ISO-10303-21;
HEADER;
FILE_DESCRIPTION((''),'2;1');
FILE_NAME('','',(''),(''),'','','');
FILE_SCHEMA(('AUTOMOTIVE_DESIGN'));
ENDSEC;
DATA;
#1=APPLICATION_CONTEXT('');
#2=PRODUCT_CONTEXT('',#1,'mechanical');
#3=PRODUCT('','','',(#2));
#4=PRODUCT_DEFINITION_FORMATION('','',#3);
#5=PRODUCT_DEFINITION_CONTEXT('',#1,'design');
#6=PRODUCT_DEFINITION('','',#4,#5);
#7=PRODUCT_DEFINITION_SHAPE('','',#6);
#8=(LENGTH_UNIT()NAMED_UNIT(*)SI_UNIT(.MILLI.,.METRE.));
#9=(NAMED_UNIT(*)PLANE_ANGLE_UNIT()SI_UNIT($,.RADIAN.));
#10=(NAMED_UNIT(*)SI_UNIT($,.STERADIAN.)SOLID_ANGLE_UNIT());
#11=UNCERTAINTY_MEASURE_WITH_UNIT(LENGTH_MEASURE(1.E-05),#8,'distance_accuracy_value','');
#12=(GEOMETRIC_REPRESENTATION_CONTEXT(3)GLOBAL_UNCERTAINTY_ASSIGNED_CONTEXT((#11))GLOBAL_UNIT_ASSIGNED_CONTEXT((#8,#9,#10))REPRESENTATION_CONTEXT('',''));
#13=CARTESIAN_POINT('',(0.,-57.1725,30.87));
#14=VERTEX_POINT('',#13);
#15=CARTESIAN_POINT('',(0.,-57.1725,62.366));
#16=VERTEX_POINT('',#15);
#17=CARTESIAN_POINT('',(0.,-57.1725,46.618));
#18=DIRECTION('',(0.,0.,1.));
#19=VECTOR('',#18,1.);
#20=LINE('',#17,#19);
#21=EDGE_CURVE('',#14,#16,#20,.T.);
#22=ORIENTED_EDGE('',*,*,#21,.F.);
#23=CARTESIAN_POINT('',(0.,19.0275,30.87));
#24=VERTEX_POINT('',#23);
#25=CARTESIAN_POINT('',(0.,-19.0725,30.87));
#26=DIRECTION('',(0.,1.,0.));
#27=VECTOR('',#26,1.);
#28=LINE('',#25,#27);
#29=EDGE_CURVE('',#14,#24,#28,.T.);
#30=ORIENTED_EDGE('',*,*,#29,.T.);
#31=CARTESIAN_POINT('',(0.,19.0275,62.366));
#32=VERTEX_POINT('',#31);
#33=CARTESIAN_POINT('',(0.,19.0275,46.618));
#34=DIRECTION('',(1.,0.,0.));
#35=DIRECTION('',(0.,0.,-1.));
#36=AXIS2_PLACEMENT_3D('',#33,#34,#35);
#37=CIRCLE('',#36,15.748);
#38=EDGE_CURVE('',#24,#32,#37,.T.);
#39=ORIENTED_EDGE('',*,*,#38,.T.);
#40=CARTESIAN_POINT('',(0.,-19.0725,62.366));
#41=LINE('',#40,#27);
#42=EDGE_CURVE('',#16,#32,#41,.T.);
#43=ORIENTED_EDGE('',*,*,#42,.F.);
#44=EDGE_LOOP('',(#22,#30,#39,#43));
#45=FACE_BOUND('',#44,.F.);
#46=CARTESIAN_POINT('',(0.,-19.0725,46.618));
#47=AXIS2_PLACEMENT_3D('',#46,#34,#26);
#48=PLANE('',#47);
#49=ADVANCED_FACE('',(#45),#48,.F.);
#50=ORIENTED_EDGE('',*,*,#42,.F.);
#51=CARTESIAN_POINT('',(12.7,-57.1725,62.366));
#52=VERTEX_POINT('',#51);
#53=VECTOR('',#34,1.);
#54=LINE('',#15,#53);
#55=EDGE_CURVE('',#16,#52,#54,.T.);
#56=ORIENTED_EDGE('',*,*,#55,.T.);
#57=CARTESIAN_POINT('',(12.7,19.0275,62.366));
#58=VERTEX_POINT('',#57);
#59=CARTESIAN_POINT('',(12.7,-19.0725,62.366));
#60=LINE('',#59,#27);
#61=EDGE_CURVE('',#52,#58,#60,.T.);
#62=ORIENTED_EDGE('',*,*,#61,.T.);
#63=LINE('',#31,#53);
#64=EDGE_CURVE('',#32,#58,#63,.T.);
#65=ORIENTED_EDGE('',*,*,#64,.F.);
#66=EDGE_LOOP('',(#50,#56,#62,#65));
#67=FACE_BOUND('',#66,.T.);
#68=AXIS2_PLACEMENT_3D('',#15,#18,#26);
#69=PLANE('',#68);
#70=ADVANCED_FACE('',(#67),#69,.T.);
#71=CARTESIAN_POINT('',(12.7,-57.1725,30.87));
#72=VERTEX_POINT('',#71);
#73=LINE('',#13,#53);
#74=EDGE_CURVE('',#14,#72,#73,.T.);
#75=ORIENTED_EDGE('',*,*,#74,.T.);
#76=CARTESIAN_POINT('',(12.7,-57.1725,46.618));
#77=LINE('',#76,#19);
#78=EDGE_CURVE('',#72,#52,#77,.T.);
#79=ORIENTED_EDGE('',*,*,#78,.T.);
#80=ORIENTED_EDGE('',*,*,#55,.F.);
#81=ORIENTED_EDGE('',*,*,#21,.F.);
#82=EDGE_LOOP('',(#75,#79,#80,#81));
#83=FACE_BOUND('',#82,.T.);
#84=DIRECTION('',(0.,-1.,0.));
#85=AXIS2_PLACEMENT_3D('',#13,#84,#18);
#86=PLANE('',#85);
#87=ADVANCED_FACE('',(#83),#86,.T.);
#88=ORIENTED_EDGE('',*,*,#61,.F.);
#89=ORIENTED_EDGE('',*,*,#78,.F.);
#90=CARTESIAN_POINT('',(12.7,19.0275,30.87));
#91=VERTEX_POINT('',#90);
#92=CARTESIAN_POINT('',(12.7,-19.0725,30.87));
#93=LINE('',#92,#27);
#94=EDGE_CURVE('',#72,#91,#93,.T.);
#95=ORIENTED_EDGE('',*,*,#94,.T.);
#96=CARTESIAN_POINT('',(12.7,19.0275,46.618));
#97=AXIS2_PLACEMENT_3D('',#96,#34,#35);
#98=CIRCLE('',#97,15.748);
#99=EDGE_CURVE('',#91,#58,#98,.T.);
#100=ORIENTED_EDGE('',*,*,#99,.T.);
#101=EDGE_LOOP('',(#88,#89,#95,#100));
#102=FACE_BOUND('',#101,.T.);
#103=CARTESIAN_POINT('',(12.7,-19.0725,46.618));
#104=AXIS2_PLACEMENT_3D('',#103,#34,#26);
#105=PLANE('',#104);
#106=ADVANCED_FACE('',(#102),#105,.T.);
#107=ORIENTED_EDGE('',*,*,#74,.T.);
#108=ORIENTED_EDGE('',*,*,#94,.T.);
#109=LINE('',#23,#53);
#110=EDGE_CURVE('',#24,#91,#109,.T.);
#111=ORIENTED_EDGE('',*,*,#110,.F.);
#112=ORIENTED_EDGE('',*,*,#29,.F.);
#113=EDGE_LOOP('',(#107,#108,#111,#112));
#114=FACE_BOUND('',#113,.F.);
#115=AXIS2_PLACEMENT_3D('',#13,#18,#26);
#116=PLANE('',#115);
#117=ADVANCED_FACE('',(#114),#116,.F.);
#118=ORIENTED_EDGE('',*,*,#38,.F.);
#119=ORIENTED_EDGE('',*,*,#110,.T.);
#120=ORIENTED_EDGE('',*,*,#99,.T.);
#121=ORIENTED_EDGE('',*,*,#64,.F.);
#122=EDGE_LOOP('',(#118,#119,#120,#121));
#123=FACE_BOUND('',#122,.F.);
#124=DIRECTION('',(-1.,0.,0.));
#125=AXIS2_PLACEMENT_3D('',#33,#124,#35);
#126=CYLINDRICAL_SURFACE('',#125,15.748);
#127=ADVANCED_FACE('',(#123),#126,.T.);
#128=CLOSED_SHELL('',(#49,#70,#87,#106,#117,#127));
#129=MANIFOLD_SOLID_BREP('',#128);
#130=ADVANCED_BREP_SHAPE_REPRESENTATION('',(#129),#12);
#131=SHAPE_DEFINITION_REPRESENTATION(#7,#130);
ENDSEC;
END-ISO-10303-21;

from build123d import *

# Parameters (mm, degrees)
F0_W     = 76.2
F0_H     = 31.496
F1_DEPTH = 12.7


with BuildPart() as f1:
    # F0 (on Right) → F1 (new body)
    with BuildSketch(Plane.YZ):
        with Locations((-19.0725, 46.618)):
            Rectangle(F0_W, F0_H)
        with BuildLine():
            ThreePointArc((19.0275, 30.87), (34.7755, 46.618), (19.0275, 62.366))
            Line((19.0275, 62.366), (19.0275, 30.87))
        make_face()
    extrude(amount=F1_DEPTH)


solid = f1.part
